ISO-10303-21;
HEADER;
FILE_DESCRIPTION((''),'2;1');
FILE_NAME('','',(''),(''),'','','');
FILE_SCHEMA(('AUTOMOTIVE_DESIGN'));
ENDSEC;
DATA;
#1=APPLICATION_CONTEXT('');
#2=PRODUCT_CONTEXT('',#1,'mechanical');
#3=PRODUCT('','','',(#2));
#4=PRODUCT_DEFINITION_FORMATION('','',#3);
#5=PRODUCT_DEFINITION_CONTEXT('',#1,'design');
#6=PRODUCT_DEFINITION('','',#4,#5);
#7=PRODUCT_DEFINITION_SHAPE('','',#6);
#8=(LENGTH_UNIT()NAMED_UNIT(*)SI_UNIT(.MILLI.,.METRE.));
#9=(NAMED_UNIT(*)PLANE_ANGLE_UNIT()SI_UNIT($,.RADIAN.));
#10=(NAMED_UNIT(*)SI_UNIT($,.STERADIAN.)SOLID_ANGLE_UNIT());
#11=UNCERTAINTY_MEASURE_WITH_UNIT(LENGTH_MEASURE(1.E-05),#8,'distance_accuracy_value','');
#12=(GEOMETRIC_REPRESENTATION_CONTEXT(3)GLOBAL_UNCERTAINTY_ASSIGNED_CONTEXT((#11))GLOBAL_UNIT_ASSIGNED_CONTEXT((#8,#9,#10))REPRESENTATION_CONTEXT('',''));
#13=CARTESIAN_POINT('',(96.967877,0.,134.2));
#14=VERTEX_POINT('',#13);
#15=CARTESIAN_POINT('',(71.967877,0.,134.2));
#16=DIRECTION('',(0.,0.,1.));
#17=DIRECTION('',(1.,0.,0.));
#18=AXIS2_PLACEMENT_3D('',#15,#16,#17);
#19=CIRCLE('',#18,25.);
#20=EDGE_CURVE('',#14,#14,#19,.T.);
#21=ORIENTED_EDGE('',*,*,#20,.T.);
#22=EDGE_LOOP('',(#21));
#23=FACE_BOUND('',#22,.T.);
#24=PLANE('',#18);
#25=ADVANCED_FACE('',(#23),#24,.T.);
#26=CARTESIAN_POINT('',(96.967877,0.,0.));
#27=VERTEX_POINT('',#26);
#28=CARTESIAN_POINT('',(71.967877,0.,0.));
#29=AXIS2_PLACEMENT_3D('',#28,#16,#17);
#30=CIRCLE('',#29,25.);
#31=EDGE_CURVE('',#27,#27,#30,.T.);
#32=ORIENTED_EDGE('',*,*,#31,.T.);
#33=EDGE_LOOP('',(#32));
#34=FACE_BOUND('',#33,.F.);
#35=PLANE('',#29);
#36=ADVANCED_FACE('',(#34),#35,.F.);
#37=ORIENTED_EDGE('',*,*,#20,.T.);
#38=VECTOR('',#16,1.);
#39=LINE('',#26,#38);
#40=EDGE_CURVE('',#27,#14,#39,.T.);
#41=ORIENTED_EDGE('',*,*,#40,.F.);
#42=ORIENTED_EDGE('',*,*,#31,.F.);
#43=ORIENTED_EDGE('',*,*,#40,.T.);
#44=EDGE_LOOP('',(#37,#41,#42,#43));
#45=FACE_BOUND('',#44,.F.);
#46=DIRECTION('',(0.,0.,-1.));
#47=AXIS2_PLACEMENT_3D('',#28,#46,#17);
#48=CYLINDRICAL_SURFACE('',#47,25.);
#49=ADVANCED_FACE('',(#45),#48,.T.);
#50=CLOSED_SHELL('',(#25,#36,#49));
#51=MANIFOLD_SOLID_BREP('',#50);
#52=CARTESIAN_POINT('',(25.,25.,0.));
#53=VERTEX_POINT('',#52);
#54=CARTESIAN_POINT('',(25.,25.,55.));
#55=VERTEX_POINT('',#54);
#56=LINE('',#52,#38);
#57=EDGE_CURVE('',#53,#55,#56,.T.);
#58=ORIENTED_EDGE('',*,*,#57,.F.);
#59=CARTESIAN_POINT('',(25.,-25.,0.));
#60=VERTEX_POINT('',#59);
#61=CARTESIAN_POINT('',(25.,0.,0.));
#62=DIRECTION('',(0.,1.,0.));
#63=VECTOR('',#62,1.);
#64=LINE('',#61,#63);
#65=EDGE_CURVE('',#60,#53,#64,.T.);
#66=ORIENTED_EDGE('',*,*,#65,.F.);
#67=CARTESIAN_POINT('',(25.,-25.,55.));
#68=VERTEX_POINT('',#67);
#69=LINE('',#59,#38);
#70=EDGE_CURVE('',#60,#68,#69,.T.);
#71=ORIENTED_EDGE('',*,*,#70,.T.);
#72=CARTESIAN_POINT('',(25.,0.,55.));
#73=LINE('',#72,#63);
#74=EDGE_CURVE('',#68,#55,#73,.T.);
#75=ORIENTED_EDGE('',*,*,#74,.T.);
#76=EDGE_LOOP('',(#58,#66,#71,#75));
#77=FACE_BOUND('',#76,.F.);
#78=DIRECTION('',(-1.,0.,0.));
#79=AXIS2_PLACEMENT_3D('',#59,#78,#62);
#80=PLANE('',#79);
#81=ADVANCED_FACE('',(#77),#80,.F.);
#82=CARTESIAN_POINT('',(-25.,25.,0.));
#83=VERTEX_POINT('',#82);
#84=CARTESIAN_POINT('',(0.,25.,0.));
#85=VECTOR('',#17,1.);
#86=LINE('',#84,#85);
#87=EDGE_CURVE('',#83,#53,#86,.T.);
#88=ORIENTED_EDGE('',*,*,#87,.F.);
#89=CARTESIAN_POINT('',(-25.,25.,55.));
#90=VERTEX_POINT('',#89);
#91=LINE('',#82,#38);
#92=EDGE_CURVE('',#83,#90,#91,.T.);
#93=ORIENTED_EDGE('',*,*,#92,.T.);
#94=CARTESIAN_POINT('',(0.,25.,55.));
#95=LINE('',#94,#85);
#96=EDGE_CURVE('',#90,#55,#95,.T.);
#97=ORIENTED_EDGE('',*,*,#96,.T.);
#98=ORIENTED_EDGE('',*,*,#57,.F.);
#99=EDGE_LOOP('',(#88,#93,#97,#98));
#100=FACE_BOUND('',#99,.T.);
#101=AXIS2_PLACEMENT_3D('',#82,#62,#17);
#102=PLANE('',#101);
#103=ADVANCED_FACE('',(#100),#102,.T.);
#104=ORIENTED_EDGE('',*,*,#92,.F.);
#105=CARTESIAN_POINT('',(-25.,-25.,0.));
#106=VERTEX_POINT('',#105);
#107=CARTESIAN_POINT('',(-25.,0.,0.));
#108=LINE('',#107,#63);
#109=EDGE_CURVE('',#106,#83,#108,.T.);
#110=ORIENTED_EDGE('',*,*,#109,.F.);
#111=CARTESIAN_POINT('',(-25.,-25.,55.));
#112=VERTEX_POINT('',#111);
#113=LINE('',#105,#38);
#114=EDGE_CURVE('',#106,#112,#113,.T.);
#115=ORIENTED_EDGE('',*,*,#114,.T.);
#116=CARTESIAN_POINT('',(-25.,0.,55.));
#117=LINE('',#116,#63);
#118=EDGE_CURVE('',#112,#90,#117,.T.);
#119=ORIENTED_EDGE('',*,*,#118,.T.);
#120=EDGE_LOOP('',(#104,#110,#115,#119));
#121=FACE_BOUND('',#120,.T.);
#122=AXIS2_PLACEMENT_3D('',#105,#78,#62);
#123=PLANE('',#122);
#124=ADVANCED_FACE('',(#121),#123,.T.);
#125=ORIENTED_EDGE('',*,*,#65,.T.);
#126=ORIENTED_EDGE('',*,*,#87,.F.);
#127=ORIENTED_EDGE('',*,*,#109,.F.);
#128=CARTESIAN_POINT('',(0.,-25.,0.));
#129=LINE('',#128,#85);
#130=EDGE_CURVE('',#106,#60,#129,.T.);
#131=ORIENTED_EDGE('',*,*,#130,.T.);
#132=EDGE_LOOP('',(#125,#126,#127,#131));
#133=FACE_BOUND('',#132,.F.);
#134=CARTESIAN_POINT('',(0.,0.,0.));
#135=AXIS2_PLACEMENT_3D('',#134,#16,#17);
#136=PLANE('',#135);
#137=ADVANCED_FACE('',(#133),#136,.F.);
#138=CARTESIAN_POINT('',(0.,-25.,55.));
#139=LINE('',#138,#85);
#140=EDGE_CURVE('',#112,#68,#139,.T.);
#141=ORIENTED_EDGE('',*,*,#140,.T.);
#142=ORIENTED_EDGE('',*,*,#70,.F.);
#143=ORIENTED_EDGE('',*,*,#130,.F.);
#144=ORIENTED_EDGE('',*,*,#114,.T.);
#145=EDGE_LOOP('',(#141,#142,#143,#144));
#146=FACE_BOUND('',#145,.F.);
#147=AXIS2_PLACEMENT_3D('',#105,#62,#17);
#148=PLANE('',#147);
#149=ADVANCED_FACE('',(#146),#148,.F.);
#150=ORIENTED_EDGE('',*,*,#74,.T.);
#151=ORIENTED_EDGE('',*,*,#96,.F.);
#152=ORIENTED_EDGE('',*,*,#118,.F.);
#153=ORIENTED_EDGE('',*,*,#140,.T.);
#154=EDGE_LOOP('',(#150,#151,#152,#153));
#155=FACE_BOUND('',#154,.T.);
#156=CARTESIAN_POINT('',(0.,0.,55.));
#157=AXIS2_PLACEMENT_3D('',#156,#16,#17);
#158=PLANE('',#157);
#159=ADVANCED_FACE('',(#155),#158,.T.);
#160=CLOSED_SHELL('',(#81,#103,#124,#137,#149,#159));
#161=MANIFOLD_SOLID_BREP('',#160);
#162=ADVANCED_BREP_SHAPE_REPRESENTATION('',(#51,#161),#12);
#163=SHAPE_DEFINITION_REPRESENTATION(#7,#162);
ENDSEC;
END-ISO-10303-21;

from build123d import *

# Parameters (mm, degrees)
F0_W     = 50
F0_H     = 50
F1_DEPTH = 55
F0_R     = 25
F2_DEPTH = 134.2


with BuildPart() as f1:
    # F0 (on Top) → F1 (new body)
    with BuildSketch(Plane.XY):
        Rectangle(F0_W, F0_H)
    extrude(amount=F1_DEPTH)


with BuildPart() as f2:
    # F0 (on Top) → F2 (new body)
    with BuildSketch(Plane.XY):
        with Locations((71.967877, 0)):
            Circle(F0_R)
    extrude(amount=F2_DEPTH)


solid = Compound([f1.part, f2.part])
